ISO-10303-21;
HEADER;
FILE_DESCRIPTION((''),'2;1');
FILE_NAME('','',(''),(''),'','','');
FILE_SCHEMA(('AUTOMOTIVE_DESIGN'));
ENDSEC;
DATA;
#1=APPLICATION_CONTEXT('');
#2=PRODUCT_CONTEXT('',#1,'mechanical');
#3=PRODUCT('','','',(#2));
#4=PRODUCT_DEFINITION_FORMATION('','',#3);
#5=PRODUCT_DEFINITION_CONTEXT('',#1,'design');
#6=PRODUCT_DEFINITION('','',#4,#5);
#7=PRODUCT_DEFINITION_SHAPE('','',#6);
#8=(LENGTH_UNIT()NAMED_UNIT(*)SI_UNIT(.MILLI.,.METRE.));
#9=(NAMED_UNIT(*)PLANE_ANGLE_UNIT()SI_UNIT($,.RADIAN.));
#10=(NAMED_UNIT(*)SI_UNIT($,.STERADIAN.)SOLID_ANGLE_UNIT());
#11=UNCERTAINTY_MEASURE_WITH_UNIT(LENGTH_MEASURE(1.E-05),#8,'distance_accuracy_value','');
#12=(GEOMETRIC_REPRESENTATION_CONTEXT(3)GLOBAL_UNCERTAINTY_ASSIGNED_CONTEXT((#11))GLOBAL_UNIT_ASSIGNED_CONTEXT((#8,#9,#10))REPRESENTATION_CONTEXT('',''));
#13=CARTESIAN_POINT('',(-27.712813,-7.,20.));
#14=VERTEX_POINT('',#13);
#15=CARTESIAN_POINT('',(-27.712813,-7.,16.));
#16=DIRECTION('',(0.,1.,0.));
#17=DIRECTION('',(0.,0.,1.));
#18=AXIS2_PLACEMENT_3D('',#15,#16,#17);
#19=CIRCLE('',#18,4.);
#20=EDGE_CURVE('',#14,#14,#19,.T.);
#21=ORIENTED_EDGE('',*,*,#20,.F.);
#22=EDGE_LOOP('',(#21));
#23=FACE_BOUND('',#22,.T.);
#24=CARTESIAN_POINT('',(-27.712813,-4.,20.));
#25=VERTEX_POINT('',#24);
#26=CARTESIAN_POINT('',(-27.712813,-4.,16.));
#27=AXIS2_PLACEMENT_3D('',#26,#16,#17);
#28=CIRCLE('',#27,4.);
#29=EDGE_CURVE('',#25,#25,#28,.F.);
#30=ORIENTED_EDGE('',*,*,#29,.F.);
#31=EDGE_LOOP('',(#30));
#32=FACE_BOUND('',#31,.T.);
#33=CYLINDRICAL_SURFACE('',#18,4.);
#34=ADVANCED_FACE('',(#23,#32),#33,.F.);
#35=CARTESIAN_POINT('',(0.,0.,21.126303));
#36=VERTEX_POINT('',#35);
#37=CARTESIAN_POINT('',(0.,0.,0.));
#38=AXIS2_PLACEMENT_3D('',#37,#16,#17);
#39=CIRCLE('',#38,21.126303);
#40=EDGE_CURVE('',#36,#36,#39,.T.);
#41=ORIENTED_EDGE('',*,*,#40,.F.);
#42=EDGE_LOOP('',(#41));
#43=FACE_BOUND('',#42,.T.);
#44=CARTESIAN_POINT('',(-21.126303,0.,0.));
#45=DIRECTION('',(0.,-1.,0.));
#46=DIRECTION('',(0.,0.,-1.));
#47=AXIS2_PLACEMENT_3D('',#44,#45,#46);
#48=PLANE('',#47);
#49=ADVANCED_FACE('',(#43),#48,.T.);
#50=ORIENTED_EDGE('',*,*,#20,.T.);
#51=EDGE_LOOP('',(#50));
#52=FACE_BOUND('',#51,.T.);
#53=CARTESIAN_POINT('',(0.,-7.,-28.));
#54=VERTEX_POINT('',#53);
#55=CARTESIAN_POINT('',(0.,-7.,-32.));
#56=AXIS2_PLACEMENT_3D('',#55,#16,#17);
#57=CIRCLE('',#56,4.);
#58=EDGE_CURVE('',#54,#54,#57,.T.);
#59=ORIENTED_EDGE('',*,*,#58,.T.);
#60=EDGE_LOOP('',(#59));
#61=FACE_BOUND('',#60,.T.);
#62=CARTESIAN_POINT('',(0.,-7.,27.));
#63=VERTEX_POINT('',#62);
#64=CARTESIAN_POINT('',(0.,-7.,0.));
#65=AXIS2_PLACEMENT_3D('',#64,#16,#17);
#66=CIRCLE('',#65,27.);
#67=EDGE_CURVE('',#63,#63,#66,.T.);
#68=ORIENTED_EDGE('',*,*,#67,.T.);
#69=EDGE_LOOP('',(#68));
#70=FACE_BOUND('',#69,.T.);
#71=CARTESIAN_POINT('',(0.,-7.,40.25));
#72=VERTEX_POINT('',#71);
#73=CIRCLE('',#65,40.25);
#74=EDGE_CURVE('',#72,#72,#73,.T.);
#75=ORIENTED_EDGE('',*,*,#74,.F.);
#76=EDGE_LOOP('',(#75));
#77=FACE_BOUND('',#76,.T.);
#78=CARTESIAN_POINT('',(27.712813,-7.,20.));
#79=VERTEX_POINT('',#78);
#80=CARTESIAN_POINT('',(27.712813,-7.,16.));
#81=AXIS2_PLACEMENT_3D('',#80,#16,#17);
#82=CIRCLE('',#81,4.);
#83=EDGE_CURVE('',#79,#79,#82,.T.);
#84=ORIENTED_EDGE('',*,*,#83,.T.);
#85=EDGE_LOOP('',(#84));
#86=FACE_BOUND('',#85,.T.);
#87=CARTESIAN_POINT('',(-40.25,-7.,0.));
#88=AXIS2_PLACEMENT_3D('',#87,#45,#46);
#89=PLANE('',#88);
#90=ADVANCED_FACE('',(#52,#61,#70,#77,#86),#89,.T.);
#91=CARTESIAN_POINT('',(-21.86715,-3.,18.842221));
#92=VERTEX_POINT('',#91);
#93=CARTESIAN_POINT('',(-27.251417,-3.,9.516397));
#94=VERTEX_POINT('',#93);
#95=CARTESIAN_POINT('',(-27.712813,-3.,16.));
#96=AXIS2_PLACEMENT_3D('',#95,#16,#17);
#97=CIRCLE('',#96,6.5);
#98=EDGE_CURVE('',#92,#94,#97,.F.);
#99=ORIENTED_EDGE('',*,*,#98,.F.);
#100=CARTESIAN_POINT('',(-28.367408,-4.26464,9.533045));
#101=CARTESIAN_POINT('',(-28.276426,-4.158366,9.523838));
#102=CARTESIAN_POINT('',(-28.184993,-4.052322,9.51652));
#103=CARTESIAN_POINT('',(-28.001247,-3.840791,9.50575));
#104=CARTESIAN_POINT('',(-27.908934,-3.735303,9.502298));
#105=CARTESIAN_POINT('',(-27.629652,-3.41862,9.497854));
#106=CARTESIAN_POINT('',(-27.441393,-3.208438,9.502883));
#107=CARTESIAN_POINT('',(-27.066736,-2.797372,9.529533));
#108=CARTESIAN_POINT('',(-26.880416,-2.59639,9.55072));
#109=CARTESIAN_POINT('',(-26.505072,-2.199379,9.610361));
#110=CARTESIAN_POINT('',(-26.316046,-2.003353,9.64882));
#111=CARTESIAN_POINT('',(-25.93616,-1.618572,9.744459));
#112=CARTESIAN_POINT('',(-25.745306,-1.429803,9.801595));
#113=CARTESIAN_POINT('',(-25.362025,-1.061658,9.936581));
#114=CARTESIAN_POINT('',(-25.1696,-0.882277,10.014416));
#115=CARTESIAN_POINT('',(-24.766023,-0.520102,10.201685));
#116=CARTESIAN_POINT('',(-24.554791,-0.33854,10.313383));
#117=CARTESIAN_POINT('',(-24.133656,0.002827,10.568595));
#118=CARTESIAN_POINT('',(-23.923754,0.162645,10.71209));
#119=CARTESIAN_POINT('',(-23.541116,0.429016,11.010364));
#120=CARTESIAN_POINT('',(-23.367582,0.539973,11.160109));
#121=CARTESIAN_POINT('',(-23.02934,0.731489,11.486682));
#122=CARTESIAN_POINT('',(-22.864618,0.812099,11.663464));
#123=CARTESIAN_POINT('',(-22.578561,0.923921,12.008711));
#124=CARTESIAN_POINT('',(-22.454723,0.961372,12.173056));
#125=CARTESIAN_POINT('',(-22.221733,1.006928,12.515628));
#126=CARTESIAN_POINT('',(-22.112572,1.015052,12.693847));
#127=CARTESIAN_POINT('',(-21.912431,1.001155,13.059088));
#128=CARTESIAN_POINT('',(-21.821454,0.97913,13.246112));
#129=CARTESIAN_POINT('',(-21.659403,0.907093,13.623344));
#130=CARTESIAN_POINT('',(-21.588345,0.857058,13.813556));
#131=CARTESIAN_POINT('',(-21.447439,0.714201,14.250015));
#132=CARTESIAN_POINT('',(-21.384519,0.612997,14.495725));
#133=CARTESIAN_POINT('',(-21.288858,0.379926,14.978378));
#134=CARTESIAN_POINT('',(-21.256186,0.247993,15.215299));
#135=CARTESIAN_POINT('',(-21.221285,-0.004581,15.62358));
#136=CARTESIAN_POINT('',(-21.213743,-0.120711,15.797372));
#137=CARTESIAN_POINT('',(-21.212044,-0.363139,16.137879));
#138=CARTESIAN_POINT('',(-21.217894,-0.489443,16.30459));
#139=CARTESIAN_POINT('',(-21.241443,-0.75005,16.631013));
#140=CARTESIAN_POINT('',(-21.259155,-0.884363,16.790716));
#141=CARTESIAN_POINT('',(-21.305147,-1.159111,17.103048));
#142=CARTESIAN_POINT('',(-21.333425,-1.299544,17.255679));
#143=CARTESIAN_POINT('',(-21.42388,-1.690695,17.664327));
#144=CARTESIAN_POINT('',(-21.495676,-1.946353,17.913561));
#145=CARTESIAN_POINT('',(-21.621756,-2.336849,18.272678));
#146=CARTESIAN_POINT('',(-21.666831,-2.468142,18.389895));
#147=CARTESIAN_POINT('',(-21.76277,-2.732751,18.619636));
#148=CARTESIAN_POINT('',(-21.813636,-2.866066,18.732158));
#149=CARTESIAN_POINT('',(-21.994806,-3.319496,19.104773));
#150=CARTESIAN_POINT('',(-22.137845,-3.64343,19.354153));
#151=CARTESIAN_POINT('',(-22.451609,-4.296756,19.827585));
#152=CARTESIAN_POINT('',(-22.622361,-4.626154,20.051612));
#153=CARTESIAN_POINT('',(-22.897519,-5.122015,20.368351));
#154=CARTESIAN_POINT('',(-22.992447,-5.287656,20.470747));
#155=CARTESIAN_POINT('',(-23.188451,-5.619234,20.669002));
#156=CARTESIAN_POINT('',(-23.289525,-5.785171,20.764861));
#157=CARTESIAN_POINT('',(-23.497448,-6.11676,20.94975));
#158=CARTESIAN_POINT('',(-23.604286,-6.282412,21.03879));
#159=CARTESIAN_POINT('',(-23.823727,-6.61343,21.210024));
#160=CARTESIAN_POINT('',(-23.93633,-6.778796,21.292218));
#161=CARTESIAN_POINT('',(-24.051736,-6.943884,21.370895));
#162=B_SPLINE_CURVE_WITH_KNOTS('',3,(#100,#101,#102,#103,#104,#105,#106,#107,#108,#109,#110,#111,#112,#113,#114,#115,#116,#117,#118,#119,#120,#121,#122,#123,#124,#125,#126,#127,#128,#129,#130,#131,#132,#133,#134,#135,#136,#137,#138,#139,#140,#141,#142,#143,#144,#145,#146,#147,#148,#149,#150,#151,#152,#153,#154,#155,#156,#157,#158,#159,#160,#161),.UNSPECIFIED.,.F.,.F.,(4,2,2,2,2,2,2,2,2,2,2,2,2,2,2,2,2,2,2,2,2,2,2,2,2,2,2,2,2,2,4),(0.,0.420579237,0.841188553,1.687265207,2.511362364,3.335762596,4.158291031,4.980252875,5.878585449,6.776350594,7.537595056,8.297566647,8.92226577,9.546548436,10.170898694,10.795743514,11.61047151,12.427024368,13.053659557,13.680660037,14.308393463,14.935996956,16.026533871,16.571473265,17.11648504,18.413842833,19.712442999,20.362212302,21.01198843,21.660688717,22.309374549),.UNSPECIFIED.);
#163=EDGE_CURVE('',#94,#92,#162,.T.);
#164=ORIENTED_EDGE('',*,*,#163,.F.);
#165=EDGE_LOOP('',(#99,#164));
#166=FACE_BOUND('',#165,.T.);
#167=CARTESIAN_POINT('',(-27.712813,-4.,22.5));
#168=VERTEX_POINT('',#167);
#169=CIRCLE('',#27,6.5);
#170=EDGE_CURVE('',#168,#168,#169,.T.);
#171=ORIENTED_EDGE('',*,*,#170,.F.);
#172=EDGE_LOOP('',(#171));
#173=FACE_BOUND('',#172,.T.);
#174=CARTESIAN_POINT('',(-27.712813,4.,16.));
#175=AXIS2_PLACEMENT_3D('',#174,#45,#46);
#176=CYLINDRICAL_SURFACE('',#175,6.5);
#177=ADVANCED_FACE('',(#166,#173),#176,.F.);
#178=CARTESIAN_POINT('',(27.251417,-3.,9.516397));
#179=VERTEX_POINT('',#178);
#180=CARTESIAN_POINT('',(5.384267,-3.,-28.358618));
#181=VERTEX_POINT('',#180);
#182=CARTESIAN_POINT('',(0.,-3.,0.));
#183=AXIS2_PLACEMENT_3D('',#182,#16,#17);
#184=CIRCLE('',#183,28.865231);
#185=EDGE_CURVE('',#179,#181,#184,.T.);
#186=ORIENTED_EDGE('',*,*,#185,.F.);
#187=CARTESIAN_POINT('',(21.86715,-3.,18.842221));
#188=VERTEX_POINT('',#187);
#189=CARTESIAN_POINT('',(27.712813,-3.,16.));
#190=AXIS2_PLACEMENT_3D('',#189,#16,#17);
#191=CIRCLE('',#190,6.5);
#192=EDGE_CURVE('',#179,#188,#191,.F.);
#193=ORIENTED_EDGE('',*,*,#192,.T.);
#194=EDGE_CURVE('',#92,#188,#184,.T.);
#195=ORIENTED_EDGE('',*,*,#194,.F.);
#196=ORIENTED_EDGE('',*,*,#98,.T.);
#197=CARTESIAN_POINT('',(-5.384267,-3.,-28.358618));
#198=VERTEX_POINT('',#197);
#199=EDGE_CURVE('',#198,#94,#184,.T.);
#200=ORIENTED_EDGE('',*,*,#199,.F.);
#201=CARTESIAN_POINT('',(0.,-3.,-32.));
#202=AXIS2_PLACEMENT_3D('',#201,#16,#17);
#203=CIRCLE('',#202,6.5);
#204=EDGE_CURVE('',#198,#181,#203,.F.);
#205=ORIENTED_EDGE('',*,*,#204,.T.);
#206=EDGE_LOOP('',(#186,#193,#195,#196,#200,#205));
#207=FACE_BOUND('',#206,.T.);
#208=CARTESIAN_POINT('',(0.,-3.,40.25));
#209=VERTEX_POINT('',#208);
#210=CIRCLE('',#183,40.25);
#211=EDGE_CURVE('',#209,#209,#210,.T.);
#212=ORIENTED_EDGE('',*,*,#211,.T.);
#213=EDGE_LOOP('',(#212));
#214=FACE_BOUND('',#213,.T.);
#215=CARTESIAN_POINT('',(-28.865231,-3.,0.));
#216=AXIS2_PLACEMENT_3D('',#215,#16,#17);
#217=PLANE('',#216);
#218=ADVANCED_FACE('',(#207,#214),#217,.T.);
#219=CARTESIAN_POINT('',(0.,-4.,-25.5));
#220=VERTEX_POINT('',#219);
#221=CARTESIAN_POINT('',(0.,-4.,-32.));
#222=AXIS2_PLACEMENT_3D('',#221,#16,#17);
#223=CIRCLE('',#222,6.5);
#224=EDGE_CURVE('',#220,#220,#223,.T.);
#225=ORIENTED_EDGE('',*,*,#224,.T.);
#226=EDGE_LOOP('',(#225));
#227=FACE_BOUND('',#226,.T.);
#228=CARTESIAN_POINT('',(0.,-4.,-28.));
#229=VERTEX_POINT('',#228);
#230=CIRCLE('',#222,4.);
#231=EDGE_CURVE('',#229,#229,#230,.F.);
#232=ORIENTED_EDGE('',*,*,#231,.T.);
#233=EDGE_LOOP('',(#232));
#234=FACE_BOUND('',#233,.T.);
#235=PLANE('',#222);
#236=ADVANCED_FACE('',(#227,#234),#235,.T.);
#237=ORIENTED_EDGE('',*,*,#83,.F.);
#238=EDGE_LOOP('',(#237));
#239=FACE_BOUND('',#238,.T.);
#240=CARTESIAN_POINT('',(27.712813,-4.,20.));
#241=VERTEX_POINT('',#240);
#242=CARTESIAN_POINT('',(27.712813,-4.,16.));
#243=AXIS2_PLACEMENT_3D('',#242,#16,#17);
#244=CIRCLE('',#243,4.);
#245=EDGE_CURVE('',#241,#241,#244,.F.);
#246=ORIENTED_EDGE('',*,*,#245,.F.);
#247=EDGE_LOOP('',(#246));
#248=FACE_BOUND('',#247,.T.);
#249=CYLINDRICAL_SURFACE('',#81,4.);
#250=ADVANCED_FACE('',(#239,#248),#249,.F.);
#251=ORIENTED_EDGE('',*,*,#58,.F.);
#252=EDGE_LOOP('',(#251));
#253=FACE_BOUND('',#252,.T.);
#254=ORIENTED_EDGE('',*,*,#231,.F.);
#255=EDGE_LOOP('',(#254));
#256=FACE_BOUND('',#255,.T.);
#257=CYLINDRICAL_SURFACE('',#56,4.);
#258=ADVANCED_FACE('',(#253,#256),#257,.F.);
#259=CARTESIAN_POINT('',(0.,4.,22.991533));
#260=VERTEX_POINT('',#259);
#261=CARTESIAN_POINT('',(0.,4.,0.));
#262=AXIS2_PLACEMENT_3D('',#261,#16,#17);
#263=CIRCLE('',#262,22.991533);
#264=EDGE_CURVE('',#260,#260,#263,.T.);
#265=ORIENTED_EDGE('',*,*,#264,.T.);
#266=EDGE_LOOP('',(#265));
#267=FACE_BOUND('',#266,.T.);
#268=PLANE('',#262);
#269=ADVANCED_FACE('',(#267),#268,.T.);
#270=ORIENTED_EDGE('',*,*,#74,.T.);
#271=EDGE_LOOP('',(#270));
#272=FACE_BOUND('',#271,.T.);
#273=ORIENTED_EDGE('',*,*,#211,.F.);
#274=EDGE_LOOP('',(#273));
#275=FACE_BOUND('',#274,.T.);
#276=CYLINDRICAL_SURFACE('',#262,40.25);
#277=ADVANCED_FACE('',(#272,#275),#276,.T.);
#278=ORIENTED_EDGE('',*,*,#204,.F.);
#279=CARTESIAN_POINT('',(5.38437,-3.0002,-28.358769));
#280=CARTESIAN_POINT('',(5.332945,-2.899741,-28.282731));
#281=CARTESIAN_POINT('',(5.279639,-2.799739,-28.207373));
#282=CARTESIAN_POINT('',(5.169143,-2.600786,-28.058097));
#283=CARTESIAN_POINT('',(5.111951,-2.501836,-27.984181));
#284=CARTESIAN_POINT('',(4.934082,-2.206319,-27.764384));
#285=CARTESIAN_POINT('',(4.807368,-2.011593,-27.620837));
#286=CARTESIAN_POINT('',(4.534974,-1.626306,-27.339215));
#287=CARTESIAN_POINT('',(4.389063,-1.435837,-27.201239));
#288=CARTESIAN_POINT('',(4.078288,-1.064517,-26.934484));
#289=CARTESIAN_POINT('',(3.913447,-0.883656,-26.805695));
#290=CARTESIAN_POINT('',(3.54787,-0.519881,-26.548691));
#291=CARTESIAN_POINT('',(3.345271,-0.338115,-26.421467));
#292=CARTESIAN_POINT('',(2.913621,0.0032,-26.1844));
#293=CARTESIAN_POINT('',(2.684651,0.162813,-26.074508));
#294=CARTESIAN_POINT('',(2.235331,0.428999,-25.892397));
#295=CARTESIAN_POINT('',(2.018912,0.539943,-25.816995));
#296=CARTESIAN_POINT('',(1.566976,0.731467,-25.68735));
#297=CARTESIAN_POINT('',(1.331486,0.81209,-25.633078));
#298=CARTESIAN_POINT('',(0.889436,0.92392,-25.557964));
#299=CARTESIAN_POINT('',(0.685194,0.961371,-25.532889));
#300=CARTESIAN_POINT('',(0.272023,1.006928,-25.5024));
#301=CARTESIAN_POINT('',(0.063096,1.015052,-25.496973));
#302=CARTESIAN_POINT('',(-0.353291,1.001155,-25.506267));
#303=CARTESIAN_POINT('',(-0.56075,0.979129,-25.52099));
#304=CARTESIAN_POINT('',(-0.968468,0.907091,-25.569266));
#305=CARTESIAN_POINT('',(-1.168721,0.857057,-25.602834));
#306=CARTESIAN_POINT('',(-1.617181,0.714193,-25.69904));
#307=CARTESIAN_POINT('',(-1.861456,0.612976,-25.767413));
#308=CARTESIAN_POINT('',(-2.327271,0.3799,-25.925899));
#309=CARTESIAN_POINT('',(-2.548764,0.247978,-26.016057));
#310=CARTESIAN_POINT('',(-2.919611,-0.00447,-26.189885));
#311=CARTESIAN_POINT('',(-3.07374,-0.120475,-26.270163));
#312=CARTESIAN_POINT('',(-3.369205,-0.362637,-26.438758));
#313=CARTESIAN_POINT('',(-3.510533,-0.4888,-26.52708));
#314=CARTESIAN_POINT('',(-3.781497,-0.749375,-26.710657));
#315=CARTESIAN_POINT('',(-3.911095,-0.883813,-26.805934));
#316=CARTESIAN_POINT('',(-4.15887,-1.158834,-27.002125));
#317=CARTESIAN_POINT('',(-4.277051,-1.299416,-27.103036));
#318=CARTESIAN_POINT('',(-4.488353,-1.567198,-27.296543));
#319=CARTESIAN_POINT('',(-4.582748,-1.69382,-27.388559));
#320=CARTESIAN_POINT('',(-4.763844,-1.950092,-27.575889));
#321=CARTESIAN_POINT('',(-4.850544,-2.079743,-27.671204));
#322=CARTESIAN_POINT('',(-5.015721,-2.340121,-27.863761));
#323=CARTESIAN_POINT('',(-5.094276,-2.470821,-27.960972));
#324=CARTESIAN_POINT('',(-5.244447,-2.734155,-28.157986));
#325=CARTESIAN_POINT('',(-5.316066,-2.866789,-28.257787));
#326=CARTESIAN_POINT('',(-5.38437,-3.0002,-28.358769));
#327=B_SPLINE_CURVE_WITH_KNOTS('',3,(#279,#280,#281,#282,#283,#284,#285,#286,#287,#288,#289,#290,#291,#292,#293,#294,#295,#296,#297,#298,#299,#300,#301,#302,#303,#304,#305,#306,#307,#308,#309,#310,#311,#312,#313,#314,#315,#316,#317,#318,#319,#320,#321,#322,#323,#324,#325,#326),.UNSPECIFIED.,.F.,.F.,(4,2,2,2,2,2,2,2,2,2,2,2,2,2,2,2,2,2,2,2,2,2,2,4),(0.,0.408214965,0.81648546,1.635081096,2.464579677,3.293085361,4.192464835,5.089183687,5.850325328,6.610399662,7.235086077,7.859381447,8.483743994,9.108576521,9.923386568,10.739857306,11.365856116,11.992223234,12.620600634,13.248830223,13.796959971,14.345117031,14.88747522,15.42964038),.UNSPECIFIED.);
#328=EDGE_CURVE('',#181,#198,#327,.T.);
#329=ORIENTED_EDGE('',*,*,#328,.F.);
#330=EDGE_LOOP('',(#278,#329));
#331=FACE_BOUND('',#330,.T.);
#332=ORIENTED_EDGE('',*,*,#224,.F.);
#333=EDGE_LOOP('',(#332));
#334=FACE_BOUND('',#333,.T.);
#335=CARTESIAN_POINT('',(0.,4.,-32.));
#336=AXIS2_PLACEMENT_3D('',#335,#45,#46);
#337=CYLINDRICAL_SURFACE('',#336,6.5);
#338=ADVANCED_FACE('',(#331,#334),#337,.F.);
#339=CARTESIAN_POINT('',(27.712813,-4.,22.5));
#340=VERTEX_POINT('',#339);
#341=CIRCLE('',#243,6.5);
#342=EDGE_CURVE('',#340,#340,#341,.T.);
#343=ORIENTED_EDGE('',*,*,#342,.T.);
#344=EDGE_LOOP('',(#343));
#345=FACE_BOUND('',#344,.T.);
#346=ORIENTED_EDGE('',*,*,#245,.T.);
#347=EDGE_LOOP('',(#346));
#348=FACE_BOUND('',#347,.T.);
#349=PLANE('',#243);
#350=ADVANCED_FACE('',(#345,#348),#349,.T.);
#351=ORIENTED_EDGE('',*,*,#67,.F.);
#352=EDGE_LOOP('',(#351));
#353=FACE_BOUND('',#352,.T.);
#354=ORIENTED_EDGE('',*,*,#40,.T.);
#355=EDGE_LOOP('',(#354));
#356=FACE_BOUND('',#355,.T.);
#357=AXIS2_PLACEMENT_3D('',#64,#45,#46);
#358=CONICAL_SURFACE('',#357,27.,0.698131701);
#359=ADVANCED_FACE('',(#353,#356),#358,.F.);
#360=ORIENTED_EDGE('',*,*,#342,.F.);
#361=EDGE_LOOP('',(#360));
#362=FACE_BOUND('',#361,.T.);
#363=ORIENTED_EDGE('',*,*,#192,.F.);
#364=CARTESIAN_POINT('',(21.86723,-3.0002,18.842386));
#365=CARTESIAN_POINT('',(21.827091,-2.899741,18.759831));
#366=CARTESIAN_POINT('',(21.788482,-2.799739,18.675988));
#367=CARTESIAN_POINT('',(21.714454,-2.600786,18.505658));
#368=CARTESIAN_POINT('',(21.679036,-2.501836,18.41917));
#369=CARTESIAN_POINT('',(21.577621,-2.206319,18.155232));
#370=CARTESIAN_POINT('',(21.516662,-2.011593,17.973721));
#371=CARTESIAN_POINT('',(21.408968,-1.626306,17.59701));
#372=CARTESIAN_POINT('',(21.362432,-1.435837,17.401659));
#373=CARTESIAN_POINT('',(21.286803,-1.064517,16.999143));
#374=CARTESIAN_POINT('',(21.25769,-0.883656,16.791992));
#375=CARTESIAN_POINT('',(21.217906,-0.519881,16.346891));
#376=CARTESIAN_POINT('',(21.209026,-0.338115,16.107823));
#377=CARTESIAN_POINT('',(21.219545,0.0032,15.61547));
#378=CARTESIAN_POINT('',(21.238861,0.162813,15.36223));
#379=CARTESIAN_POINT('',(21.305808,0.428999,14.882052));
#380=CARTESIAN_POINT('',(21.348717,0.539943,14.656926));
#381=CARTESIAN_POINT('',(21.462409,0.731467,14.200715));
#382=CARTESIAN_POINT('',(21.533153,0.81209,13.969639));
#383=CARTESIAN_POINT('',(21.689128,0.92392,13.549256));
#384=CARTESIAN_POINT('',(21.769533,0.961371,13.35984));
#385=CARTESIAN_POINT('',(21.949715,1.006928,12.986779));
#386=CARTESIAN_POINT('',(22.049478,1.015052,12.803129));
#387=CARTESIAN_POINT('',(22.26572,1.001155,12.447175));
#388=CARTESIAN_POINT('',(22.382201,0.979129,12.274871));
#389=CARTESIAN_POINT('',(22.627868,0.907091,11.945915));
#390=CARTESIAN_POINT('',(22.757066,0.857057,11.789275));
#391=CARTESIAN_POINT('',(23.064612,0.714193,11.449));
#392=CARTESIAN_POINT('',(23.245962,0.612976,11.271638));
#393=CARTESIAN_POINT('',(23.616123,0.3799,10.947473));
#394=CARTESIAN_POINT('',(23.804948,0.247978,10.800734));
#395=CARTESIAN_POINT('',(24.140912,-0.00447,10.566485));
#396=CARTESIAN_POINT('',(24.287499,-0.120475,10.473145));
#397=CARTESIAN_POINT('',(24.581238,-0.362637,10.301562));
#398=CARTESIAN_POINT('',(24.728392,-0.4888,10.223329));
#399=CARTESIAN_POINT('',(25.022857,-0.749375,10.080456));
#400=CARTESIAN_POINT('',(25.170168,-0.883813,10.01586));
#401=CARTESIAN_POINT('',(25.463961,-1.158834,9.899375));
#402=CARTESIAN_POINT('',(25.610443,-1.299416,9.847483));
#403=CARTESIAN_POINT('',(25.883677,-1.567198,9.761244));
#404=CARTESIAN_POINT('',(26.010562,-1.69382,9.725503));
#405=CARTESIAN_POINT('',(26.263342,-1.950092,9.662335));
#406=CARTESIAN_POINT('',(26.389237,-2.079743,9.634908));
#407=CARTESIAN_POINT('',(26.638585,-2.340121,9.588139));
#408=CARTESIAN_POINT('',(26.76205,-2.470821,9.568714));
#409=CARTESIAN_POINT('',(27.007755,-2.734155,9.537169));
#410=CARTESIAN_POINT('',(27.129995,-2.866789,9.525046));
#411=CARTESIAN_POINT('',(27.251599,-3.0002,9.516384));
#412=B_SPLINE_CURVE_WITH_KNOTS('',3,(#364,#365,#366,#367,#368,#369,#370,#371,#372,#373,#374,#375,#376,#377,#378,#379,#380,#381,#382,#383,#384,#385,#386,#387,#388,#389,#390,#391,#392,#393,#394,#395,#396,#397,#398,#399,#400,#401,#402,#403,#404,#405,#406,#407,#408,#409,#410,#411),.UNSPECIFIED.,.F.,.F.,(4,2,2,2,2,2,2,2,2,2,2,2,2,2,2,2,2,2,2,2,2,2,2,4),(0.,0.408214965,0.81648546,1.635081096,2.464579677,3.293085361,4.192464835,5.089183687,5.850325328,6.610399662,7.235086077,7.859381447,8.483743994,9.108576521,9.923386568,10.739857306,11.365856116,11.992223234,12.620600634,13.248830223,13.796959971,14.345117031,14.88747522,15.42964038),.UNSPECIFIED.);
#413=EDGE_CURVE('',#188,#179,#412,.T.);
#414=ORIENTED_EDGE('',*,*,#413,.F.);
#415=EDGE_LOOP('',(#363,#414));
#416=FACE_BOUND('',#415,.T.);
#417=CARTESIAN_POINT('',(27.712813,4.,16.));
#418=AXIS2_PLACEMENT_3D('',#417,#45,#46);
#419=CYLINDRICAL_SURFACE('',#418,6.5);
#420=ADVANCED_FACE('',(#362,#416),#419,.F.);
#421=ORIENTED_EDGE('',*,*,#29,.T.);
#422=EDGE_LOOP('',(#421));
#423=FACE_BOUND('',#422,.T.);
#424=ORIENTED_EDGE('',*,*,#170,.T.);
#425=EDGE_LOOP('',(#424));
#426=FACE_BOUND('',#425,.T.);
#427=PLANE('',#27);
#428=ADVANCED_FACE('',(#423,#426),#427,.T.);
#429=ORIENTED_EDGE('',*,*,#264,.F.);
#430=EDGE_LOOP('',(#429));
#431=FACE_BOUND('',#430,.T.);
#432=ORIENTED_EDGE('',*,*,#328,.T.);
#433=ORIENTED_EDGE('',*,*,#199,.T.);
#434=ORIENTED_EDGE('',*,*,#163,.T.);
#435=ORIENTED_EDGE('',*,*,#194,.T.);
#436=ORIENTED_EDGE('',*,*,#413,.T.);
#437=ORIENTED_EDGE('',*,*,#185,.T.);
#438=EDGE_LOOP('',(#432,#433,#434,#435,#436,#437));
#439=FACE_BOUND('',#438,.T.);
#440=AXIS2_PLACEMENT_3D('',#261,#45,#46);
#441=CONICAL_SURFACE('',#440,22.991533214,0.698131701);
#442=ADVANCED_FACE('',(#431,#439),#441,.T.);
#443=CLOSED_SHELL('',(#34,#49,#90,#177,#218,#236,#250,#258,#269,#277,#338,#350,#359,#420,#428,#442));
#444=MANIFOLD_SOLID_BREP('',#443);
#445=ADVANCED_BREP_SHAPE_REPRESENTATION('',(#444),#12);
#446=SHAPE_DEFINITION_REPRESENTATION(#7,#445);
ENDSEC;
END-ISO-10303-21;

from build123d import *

# Parameters (mm, degrees)
SKETCH2_R               = 4
CUT_EXTRUDE1_DEPTH      = 58.350893629
CUT_EXTRUDE2_DEPTH      = 58.350893629
CUT_EXTRUDE2_DEPTH_BACK = 1
SKETCH3_R               = 6.5


with BuildPart() as part:
    # Sketch1 → Revolve1 (revolve)
    with BuildSketch(Plane.XY, mode=Mode.PRIVATE) as revolve1_sk:
        Polygon((0, 0), (0, 4), (-22.991533214, 4), (-28.865230633, -3), (-40.25, -3), (-40.25, -7), (-27, -7), (-21.126302582, 0), align=None)
    revolve(revolve1_sk.sketch.rotate(Axis((0, 4, 0), (0, -1, 0)), 270), axis=Axis((0, 4, 0), (0, -1, 0)))

    # Sketch2 → Cut-Extrude1 (cut, through all)
    with BuildSketch(Plane(origin=(0, -3, 0), x_dir=(1, 0, 0), z_dir=(0, 1, 0))):
        with Locations(Location((0, 32, 0), (0, 0, 270))):
            Circle(SKETCH2_R)
        with Locations(Location((27.712812921, -16, 0), (0, 0, 270))):
            Circle(SKETCH2_R)
        with Locations(Location((-27.712812921, -16, 0), (0, 0, 270))):
            Circle(SKETCH2_R)
    extrude(amount=-CUT_EXTRUDE1_DEPTH, mode=Mode.SUBTRACT)

    # Sketch3 → Cut-Extrude2 (cut, two sides: drawn at the far end of the back side and taken through both)
    with BuildSketch(Plane(origin=(0, -3, 0), x_dir=(1, 0, 0), z_dir=(0, 1, 0)).offset(-CUT_EXTRUDE2_DEPTH_BACK)):
        with Locations(Location((0, 32, 0), (0, 0, 325.92949513))):
            Circle(SKETCH3_R)
        with Locations(Location((27.712812921, -16, 0), (0, 0, 94.070504949))):
            Circle(SKETCH3_R)
        with Locations(Location((-27.712812921, -16, 0), (0, 0, 85.92949513))):
            Circle(SKETCH3_R)
    extrude(amount=CUT_EXTRUDE2_DEPTH + CUT_EXTRUDE2_DEPTH_BACK, mode=Mode.SUBTRACT)


solid = part.part
